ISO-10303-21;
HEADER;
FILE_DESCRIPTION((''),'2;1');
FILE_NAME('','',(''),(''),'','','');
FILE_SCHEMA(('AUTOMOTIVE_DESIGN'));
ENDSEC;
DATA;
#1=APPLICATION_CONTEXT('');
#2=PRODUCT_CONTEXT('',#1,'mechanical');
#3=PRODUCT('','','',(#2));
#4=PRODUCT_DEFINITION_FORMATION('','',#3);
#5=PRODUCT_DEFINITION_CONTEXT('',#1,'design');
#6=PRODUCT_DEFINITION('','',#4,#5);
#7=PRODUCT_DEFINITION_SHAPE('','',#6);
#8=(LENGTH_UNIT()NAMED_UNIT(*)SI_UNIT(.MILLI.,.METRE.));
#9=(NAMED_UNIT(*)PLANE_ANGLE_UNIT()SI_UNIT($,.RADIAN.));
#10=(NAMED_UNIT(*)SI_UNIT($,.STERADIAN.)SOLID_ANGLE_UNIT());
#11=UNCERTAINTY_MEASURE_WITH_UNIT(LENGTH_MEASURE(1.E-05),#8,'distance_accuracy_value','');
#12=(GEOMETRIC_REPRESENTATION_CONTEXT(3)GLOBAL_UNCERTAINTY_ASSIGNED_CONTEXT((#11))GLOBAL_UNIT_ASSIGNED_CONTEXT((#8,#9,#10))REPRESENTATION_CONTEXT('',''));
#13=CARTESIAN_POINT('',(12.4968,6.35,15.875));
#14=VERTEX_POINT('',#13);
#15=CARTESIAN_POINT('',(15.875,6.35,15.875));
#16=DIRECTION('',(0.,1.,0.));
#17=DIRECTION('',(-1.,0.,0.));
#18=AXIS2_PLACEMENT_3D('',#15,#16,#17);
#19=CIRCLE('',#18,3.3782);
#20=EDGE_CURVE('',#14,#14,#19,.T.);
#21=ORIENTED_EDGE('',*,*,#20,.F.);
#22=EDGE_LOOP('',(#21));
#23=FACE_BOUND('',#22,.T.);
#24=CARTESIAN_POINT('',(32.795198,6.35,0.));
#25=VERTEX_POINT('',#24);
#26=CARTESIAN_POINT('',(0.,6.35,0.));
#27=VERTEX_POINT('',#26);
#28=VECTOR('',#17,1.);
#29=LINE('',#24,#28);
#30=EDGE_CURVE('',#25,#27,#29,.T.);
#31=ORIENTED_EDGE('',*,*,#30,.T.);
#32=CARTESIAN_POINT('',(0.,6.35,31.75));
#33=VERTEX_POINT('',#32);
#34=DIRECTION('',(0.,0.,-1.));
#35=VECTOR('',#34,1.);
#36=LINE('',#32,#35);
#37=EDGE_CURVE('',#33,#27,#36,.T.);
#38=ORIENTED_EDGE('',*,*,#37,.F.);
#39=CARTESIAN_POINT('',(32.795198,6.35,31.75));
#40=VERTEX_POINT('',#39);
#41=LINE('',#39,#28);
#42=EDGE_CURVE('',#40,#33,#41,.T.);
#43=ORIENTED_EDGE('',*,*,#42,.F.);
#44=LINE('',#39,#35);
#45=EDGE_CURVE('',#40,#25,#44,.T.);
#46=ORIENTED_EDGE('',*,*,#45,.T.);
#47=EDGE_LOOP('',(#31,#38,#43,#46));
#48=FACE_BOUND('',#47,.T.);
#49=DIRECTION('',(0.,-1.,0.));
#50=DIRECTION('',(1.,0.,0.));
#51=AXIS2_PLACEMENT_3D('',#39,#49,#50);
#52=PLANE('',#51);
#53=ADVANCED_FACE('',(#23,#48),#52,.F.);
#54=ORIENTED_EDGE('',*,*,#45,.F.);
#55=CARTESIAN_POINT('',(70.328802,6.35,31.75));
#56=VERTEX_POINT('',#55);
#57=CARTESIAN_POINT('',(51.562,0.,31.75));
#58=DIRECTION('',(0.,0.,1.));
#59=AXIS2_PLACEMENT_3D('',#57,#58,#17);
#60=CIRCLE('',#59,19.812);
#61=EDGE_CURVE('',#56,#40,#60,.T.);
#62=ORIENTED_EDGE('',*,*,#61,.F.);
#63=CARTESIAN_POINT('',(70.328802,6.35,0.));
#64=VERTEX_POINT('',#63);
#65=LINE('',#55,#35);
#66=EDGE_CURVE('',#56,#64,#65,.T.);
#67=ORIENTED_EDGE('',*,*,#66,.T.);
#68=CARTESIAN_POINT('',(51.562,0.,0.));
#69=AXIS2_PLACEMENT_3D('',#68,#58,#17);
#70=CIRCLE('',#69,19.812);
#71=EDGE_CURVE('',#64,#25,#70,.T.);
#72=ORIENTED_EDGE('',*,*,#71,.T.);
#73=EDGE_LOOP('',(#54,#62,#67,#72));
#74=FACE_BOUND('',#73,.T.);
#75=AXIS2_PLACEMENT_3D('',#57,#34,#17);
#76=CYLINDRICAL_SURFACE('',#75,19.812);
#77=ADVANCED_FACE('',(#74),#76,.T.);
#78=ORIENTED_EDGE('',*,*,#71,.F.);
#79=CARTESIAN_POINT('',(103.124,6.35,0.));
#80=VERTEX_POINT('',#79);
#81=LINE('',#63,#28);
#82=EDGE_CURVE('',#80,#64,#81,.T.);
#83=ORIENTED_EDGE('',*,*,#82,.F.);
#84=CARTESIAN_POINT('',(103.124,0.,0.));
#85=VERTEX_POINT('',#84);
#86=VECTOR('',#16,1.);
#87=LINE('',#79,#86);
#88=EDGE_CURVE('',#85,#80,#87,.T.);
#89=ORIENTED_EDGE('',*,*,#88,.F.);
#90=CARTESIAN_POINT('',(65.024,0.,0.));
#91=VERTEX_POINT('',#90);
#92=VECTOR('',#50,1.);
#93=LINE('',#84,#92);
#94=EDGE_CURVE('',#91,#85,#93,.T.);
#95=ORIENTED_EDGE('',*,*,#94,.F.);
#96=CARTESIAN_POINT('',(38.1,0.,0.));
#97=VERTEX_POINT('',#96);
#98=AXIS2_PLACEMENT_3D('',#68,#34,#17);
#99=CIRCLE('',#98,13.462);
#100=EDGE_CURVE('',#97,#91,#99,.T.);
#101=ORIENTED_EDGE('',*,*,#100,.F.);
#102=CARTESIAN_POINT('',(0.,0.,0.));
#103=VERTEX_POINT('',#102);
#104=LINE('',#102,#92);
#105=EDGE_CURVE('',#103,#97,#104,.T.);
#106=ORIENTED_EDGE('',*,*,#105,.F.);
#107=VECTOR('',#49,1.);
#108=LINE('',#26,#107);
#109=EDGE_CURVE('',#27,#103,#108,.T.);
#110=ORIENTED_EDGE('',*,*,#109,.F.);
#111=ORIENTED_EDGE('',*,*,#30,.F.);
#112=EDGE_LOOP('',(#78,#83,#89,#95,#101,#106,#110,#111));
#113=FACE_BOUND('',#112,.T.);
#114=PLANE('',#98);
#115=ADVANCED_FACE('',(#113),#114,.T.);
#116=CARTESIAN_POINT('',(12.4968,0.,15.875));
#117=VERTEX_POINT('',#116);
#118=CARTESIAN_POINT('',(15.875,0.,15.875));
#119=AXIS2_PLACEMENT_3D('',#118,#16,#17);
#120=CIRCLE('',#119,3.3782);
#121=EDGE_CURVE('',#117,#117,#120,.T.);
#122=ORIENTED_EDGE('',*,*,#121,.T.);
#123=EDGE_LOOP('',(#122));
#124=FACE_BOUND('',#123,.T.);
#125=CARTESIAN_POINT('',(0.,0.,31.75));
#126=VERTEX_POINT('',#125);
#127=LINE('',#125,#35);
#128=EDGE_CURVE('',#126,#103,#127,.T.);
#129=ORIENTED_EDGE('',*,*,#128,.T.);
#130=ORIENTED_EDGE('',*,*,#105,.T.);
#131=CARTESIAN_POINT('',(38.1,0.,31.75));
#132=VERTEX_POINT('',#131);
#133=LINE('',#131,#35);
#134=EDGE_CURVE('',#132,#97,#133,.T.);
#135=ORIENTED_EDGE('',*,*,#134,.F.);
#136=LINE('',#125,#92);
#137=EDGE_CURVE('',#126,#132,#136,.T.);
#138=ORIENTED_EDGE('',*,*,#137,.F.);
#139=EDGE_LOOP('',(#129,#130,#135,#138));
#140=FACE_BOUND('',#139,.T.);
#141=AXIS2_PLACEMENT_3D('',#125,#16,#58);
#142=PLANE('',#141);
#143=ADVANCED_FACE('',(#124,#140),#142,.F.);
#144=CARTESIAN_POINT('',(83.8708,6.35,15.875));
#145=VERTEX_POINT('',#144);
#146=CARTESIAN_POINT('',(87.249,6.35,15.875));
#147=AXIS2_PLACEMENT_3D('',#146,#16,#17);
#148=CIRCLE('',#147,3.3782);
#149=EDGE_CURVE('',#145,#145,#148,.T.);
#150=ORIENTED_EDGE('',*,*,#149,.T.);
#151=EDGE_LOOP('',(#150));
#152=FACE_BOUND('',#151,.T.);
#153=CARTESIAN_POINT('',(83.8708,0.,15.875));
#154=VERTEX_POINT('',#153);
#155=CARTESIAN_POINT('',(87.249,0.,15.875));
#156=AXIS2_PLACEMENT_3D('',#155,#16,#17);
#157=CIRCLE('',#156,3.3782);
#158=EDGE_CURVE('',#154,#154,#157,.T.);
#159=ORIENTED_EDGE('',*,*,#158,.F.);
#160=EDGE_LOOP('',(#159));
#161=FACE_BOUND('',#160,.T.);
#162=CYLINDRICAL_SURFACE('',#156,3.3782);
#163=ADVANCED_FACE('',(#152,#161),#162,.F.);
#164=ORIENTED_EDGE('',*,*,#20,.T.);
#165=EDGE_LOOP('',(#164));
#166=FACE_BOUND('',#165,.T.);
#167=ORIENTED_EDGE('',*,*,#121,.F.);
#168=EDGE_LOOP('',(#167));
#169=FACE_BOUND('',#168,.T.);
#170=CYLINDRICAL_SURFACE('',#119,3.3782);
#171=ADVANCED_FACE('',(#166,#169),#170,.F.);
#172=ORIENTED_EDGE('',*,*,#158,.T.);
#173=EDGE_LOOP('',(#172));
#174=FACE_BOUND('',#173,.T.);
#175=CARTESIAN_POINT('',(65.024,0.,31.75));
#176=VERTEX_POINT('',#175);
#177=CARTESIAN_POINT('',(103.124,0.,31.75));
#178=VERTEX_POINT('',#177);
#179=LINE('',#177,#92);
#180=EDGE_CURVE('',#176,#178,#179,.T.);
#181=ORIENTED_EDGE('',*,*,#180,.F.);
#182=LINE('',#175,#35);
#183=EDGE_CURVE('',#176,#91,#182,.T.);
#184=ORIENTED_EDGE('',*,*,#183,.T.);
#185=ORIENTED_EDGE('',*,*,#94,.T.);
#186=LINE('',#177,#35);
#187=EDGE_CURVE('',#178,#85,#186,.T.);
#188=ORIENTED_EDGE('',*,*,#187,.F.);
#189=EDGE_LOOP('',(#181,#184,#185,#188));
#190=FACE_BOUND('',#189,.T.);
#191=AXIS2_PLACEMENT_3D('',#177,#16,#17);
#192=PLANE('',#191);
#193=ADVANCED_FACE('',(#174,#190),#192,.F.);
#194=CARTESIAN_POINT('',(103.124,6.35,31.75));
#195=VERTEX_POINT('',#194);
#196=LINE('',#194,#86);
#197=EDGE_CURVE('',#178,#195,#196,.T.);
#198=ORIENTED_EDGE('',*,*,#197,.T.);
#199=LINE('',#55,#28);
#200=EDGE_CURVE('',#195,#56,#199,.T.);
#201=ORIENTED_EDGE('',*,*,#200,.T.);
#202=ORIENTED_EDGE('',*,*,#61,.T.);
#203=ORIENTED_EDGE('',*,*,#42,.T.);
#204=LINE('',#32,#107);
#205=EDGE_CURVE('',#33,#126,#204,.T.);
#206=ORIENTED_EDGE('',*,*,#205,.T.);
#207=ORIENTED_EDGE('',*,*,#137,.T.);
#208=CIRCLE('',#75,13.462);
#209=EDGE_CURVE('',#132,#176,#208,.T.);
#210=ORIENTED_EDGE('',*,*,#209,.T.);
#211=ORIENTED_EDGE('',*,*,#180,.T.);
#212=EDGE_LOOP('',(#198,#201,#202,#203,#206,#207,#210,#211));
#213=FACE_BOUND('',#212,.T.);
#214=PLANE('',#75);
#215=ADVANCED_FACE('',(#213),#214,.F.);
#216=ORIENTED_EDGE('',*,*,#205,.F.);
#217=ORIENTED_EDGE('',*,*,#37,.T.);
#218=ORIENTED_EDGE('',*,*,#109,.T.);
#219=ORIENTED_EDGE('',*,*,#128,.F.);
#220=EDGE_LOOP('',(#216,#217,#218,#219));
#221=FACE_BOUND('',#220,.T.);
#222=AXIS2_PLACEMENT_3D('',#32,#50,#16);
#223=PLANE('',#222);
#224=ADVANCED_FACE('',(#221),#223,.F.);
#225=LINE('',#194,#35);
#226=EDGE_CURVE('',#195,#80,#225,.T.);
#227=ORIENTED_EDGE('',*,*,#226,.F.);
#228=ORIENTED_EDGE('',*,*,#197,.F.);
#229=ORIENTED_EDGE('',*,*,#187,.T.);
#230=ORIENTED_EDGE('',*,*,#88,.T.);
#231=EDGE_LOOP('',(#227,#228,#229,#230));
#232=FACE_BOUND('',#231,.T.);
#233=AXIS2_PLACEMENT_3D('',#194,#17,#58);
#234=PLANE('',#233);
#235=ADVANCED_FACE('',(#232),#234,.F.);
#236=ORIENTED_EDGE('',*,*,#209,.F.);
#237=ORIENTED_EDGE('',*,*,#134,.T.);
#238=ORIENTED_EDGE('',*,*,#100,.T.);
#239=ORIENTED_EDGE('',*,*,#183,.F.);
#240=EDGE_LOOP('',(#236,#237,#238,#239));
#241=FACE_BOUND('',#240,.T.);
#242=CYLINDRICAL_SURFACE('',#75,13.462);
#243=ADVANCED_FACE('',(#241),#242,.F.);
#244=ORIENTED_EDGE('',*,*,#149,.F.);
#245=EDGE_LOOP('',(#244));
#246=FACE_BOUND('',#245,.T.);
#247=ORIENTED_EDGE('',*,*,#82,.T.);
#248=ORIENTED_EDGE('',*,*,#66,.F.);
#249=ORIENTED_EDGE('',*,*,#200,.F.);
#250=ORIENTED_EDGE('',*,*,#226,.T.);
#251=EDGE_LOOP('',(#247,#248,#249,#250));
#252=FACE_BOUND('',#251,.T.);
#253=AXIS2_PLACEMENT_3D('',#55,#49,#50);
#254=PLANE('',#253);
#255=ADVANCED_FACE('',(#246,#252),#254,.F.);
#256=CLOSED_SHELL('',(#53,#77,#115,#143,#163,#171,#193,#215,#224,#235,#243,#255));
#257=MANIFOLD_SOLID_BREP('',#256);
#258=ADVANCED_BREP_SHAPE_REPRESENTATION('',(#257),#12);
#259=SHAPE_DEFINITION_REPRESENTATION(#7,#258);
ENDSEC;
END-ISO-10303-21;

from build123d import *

# Parameters (mm, degrees)
BOSS_EXTRUDE1_DEPTH = 31.75
SKETCH3_R           = 3.3782
CUT_EXTRUDE1_DEPTH  = 7.35


with BuildPart() as part:
    # Sketch1 → Boss-Extrude1 (new body)
    with BuildSketch(Plane.XY):
        with BuildLine():
            Line((32.795198354, 6.35), (0, 6.35))
            Line((0, 6.35), (0, 0))
            Line((0, 0), (38.1, 0))
            ThreePointArc((38.1, 0), (51.562, 13.462), (65.024, 0))
            Line((65.024, 0), (103.124, 0))
            Line((103.124, 0), (103.124, 6.35))
            Line((103.124, 6.35), (70.328801646, 6.35))
            ThreePointArc((70.328801646, 6.35), (51.562, 19.812), (32.795198354, 6.35))
        make_face()
    extrude(amount=BOSS_EXTRUDE1_DEPTH)

    # Sketch3 → Cut-Extrude1 (cut, through all)
    with BuildSketch(Plane(origin=(0, 6.35, 0), x_dir=(1, 0, 0), z_dir=(0, 1, 0))):
        with Locations((15.875, -15.875)):
            Circle(SKETCH3_R)
        with Locations((87.249, -15.875)):
            Circle(SKETCH3_R)
    extrude(amount=-CUT_EXTRUDE1_DEPTH, mode=Mode.SUBTRACT)


solid = part.part
